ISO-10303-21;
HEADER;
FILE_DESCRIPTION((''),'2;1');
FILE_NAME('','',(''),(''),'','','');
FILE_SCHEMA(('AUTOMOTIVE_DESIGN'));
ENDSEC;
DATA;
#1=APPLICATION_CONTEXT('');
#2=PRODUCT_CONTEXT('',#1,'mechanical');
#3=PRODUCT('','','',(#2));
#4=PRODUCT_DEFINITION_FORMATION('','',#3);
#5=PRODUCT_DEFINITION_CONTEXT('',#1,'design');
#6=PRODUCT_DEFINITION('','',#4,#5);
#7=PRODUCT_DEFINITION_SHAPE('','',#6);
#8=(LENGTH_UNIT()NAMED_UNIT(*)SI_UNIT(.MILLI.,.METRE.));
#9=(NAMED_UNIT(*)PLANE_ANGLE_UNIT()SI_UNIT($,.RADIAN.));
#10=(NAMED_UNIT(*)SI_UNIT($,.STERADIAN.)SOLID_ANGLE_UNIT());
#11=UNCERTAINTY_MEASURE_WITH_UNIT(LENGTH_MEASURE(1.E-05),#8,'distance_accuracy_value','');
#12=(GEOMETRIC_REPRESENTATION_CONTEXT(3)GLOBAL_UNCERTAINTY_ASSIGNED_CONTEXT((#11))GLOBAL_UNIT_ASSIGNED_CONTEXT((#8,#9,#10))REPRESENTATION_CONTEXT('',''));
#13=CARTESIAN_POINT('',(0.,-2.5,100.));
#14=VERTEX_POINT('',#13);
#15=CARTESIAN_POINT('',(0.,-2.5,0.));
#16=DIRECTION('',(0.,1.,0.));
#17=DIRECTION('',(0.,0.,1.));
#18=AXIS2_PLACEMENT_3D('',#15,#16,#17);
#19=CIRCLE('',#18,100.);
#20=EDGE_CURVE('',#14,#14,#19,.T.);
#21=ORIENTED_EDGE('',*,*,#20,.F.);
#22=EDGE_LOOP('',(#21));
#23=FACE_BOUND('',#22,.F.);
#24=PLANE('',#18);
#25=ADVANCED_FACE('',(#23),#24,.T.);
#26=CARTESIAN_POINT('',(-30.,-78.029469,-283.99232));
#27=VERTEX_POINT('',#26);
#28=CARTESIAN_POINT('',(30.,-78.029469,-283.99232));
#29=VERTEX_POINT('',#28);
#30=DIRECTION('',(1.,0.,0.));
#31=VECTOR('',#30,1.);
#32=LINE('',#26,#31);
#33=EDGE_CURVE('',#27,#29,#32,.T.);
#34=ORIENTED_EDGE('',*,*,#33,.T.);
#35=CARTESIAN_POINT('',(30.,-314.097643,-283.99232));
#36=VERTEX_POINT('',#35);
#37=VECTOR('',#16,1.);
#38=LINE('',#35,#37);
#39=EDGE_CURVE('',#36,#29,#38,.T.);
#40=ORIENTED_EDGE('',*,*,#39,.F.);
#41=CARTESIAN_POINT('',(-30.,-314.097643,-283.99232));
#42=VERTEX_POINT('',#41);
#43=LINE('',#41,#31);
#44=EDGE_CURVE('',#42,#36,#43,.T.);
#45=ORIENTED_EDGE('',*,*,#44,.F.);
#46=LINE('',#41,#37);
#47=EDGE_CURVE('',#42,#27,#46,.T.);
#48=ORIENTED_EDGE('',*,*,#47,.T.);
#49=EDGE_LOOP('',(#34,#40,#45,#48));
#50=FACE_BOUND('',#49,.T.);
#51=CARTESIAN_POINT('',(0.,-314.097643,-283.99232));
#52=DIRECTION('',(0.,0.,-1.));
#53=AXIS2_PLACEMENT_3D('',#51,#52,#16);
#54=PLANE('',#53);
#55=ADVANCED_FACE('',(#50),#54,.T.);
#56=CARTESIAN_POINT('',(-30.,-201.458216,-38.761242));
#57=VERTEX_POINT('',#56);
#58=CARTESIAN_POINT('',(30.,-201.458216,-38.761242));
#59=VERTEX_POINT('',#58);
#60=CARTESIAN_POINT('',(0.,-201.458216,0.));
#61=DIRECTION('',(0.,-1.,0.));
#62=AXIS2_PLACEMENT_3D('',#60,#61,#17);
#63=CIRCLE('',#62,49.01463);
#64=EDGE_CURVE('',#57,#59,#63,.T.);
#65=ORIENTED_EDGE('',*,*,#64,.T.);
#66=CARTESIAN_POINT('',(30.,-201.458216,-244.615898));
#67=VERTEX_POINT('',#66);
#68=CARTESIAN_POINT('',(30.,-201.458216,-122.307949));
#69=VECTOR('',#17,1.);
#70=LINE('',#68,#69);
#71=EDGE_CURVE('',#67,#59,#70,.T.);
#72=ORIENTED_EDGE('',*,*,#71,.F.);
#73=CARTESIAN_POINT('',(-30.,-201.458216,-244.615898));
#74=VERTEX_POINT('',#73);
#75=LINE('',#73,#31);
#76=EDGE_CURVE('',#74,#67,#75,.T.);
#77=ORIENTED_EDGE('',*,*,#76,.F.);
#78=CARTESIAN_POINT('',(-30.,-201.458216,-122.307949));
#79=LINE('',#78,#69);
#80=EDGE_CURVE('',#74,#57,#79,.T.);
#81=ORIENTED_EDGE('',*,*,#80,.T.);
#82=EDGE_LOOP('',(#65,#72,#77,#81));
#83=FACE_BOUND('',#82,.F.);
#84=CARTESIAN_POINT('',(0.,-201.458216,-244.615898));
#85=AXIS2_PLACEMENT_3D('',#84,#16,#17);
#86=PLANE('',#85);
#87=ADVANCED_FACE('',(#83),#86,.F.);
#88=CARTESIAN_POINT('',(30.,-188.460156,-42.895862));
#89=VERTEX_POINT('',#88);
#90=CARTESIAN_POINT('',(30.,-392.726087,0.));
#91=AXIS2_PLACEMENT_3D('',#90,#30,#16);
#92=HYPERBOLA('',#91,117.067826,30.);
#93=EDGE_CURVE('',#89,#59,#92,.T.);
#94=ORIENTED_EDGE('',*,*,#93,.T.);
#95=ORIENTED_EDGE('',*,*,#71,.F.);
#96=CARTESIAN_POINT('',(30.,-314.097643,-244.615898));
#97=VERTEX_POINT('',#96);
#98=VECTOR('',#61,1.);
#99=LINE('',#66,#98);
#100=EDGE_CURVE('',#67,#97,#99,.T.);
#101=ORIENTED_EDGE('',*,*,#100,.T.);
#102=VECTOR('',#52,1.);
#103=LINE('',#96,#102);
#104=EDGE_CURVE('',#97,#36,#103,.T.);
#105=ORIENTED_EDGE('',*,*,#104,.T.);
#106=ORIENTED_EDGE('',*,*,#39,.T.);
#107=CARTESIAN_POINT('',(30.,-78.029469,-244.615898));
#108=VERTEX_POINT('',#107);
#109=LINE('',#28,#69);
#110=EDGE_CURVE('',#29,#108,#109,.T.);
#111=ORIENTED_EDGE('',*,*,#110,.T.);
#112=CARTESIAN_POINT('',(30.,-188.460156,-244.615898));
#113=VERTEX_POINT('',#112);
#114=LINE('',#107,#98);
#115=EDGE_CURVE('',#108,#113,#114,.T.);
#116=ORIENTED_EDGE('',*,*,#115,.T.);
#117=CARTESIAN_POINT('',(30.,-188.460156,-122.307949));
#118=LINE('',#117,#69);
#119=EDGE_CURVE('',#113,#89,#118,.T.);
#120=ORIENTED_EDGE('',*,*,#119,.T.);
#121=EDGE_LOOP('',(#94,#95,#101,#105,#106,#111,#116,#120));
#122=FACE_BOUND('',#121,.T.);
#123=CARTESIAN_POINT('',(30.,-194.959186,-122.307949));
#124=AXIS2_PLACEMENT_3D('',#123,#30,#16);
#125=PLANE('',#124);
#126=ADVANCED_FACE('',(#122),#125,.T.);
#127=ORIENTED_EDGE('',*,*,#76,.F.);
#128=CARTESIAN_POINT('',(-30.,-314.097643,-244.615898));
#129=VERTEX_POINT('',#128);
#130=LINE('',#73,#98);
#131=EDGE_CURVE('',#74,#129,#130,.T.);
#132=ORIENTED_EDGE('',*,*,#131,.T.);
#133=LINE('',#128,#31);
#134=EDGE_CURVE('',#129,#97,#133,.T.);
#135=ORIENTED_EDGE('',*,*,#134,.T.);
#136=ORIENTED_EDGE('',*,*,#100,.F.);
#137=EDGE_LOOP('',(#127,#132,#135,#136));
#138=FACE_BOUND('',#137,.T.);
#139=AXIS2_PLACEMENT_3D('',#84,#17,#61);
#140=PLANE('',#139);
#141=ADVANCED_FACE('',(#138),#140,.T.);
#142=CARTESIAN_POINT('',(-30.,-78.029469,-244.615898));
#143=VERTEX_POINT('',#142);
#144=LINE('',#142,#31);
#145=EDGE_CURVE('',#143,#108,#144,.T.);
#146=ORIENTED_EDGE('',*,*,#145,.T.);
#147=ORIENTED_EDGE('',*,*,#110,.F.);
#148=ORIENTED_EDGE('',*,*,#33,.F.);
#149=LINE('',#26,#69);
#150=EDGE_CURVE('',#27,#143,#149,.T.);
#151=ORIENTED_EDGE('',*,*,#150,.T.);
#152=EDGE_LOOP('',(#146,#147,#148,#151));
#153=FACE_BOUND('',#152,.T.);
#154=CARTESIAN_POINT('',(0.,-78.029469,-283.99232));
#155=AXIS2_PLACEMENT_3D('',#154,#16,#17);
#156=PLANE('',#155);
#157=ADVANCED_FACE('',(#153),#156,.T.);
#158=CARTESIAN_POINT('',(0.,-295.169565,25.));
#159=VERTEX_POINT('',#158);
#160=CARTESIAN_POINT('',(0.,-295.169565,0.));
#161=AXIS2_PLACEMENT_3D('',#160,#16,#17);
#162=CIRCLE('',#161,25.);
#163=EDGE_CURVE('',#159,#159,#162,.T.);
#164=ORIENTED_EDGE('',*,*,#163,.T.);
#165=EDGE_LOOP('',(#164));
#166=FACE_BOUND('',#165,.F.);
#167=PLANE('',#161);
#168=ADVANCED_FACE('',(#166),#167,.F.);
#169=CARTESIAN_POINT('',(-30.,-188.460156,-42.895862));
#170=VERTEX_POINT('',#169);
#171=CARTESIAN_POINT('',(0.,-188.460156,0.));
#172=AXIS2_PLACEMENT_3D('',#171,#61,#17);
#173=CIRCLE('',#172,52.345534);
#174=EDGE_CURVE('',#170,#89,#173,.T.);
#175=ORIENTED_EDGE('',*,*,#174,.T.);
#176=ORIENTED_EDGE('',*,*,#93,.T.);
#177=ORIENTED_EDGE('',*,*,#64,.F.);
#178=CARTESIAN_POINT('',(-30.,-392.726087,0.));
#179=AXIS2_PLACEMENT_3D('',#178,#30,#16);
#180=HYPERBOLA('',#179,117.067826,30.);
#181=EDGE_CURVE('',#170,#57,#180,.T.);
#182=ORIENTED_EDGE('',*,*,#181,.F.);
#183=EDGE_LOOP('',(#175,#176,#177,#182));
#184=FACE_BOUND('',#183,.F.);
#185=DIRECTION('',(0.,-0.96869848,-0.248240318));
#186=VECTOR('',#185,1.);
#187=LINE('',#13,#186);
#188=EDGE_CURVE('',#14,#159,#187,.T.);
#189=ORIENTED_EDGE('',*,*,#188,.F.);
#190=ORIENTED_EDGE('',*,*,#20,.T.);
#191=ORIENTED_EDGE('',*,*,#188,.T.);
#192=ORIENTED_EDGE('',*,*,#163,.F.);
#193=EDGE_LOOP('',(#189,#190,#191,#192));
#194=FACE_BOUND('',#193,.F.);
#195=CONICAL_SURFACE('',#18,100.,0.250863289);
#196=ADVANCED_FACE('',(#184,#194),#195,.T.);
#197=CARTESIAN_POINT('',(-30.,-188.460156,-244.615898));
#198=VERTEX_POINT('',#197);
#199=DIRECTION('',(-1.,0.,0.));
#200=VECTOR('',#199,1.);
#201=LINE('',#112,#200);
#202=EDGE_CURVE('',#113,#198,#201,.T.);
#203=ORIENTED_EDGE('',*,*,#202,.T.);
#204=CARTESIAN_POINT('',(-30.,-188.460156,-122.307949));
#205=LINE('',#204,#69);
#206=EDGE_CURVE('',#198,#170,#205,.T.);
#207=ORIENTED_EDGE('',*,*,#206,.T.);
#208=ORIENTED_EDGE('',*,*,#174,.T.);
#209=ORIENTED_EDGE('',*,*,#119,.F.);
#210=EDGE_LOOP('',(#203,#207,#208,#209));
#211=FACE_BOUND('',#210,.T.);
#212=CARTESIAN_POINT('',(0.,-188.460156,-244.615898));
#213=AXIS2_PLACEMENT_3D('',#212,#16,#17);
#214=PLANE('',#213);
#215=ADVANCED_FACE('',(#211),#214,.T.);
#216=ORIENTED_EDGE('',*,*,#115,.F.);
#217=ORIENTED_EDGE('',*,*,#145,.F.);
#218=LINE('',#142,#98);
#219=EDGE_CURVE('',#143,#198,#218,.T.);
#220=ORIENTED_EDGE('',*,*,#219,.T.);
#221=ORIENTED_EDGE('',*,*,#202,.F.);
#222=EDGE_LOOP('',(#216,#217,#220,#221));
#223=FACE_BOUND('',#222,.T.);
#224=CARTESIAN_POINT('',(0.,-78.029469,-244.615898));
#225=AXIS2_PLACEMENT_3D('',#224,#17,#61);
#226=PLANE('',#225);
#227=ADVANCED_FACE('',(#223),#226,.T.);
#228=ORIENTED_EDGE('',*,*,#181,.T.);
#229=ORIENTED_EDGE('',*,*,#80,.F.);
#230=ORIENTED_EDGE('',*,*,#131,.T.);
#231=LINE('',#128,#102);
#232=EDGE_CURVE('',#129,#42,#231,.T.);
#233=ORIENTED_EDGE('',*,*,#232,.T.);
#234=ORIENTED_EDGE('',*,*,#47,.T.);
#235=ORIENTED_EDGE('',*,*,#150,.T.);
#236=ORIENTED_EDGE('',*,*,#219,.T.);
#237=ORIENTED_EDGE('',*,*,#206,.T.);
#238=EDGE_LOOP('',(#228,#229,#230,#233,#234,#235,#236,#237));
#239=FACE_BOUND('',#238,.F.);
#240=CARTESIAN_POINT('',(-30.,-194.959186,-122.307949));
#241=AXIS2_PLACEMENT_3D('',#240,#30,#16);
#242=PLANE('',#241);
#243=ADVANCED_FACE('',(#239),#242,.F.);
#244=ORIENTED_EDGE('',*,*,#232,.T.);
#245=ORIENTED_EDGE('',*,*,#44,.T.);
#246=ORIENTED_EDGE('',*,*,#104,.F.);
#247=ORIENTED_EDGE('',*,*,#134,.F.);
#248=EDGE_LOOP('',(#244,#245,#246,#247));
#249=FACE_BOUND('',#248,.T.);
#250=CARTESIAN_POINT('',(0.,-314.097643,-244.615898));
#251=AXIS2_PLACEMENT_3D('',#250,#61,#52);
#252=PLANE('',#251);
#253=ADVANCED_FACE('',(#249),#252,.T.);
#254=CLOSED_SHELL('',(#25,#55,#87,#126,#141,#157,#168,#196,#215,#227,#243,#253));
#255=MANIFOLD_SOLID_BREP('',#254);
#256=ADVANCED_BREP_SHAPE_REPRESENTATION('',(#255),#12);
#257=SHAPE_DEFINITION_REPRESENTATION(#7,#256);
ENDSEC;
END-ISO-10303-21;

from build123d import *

# Parameters (mm, degrees)
F2_W     = 12.99806
F2_H     = 244.615898
F3_DEPTH = 30


with BuildPart() as f1:
    # F0 (on Right) → F1 (revolve)
    with BuildSketch(Plane.YZ):
        Polygon((-2.5, 0), (-2.5, 100), (-295.169565, 25), (-295.169565, 0), align=None)
    revolve(axis=Axis((0, -150, 0), (0, 1, 0)))

    # F2 (on Right) → F3 (join, symmetric)
    with BuildSketch(Plane.YZ):
        with Locations((-194.959186, -122.307949)):
            Rectangle(F2_W, F2_H)
        Polygon((-188.460156, -244.615898), (-201.458216, -244.615898), (-314.097643, -244.615898), (-314.097643, -283.99232), (-78.029469, -283.99232), (-78.029469, -244.615898), align=None)
    extrude(amount=F3_DEPTH, both=True)


solid = f1.part
